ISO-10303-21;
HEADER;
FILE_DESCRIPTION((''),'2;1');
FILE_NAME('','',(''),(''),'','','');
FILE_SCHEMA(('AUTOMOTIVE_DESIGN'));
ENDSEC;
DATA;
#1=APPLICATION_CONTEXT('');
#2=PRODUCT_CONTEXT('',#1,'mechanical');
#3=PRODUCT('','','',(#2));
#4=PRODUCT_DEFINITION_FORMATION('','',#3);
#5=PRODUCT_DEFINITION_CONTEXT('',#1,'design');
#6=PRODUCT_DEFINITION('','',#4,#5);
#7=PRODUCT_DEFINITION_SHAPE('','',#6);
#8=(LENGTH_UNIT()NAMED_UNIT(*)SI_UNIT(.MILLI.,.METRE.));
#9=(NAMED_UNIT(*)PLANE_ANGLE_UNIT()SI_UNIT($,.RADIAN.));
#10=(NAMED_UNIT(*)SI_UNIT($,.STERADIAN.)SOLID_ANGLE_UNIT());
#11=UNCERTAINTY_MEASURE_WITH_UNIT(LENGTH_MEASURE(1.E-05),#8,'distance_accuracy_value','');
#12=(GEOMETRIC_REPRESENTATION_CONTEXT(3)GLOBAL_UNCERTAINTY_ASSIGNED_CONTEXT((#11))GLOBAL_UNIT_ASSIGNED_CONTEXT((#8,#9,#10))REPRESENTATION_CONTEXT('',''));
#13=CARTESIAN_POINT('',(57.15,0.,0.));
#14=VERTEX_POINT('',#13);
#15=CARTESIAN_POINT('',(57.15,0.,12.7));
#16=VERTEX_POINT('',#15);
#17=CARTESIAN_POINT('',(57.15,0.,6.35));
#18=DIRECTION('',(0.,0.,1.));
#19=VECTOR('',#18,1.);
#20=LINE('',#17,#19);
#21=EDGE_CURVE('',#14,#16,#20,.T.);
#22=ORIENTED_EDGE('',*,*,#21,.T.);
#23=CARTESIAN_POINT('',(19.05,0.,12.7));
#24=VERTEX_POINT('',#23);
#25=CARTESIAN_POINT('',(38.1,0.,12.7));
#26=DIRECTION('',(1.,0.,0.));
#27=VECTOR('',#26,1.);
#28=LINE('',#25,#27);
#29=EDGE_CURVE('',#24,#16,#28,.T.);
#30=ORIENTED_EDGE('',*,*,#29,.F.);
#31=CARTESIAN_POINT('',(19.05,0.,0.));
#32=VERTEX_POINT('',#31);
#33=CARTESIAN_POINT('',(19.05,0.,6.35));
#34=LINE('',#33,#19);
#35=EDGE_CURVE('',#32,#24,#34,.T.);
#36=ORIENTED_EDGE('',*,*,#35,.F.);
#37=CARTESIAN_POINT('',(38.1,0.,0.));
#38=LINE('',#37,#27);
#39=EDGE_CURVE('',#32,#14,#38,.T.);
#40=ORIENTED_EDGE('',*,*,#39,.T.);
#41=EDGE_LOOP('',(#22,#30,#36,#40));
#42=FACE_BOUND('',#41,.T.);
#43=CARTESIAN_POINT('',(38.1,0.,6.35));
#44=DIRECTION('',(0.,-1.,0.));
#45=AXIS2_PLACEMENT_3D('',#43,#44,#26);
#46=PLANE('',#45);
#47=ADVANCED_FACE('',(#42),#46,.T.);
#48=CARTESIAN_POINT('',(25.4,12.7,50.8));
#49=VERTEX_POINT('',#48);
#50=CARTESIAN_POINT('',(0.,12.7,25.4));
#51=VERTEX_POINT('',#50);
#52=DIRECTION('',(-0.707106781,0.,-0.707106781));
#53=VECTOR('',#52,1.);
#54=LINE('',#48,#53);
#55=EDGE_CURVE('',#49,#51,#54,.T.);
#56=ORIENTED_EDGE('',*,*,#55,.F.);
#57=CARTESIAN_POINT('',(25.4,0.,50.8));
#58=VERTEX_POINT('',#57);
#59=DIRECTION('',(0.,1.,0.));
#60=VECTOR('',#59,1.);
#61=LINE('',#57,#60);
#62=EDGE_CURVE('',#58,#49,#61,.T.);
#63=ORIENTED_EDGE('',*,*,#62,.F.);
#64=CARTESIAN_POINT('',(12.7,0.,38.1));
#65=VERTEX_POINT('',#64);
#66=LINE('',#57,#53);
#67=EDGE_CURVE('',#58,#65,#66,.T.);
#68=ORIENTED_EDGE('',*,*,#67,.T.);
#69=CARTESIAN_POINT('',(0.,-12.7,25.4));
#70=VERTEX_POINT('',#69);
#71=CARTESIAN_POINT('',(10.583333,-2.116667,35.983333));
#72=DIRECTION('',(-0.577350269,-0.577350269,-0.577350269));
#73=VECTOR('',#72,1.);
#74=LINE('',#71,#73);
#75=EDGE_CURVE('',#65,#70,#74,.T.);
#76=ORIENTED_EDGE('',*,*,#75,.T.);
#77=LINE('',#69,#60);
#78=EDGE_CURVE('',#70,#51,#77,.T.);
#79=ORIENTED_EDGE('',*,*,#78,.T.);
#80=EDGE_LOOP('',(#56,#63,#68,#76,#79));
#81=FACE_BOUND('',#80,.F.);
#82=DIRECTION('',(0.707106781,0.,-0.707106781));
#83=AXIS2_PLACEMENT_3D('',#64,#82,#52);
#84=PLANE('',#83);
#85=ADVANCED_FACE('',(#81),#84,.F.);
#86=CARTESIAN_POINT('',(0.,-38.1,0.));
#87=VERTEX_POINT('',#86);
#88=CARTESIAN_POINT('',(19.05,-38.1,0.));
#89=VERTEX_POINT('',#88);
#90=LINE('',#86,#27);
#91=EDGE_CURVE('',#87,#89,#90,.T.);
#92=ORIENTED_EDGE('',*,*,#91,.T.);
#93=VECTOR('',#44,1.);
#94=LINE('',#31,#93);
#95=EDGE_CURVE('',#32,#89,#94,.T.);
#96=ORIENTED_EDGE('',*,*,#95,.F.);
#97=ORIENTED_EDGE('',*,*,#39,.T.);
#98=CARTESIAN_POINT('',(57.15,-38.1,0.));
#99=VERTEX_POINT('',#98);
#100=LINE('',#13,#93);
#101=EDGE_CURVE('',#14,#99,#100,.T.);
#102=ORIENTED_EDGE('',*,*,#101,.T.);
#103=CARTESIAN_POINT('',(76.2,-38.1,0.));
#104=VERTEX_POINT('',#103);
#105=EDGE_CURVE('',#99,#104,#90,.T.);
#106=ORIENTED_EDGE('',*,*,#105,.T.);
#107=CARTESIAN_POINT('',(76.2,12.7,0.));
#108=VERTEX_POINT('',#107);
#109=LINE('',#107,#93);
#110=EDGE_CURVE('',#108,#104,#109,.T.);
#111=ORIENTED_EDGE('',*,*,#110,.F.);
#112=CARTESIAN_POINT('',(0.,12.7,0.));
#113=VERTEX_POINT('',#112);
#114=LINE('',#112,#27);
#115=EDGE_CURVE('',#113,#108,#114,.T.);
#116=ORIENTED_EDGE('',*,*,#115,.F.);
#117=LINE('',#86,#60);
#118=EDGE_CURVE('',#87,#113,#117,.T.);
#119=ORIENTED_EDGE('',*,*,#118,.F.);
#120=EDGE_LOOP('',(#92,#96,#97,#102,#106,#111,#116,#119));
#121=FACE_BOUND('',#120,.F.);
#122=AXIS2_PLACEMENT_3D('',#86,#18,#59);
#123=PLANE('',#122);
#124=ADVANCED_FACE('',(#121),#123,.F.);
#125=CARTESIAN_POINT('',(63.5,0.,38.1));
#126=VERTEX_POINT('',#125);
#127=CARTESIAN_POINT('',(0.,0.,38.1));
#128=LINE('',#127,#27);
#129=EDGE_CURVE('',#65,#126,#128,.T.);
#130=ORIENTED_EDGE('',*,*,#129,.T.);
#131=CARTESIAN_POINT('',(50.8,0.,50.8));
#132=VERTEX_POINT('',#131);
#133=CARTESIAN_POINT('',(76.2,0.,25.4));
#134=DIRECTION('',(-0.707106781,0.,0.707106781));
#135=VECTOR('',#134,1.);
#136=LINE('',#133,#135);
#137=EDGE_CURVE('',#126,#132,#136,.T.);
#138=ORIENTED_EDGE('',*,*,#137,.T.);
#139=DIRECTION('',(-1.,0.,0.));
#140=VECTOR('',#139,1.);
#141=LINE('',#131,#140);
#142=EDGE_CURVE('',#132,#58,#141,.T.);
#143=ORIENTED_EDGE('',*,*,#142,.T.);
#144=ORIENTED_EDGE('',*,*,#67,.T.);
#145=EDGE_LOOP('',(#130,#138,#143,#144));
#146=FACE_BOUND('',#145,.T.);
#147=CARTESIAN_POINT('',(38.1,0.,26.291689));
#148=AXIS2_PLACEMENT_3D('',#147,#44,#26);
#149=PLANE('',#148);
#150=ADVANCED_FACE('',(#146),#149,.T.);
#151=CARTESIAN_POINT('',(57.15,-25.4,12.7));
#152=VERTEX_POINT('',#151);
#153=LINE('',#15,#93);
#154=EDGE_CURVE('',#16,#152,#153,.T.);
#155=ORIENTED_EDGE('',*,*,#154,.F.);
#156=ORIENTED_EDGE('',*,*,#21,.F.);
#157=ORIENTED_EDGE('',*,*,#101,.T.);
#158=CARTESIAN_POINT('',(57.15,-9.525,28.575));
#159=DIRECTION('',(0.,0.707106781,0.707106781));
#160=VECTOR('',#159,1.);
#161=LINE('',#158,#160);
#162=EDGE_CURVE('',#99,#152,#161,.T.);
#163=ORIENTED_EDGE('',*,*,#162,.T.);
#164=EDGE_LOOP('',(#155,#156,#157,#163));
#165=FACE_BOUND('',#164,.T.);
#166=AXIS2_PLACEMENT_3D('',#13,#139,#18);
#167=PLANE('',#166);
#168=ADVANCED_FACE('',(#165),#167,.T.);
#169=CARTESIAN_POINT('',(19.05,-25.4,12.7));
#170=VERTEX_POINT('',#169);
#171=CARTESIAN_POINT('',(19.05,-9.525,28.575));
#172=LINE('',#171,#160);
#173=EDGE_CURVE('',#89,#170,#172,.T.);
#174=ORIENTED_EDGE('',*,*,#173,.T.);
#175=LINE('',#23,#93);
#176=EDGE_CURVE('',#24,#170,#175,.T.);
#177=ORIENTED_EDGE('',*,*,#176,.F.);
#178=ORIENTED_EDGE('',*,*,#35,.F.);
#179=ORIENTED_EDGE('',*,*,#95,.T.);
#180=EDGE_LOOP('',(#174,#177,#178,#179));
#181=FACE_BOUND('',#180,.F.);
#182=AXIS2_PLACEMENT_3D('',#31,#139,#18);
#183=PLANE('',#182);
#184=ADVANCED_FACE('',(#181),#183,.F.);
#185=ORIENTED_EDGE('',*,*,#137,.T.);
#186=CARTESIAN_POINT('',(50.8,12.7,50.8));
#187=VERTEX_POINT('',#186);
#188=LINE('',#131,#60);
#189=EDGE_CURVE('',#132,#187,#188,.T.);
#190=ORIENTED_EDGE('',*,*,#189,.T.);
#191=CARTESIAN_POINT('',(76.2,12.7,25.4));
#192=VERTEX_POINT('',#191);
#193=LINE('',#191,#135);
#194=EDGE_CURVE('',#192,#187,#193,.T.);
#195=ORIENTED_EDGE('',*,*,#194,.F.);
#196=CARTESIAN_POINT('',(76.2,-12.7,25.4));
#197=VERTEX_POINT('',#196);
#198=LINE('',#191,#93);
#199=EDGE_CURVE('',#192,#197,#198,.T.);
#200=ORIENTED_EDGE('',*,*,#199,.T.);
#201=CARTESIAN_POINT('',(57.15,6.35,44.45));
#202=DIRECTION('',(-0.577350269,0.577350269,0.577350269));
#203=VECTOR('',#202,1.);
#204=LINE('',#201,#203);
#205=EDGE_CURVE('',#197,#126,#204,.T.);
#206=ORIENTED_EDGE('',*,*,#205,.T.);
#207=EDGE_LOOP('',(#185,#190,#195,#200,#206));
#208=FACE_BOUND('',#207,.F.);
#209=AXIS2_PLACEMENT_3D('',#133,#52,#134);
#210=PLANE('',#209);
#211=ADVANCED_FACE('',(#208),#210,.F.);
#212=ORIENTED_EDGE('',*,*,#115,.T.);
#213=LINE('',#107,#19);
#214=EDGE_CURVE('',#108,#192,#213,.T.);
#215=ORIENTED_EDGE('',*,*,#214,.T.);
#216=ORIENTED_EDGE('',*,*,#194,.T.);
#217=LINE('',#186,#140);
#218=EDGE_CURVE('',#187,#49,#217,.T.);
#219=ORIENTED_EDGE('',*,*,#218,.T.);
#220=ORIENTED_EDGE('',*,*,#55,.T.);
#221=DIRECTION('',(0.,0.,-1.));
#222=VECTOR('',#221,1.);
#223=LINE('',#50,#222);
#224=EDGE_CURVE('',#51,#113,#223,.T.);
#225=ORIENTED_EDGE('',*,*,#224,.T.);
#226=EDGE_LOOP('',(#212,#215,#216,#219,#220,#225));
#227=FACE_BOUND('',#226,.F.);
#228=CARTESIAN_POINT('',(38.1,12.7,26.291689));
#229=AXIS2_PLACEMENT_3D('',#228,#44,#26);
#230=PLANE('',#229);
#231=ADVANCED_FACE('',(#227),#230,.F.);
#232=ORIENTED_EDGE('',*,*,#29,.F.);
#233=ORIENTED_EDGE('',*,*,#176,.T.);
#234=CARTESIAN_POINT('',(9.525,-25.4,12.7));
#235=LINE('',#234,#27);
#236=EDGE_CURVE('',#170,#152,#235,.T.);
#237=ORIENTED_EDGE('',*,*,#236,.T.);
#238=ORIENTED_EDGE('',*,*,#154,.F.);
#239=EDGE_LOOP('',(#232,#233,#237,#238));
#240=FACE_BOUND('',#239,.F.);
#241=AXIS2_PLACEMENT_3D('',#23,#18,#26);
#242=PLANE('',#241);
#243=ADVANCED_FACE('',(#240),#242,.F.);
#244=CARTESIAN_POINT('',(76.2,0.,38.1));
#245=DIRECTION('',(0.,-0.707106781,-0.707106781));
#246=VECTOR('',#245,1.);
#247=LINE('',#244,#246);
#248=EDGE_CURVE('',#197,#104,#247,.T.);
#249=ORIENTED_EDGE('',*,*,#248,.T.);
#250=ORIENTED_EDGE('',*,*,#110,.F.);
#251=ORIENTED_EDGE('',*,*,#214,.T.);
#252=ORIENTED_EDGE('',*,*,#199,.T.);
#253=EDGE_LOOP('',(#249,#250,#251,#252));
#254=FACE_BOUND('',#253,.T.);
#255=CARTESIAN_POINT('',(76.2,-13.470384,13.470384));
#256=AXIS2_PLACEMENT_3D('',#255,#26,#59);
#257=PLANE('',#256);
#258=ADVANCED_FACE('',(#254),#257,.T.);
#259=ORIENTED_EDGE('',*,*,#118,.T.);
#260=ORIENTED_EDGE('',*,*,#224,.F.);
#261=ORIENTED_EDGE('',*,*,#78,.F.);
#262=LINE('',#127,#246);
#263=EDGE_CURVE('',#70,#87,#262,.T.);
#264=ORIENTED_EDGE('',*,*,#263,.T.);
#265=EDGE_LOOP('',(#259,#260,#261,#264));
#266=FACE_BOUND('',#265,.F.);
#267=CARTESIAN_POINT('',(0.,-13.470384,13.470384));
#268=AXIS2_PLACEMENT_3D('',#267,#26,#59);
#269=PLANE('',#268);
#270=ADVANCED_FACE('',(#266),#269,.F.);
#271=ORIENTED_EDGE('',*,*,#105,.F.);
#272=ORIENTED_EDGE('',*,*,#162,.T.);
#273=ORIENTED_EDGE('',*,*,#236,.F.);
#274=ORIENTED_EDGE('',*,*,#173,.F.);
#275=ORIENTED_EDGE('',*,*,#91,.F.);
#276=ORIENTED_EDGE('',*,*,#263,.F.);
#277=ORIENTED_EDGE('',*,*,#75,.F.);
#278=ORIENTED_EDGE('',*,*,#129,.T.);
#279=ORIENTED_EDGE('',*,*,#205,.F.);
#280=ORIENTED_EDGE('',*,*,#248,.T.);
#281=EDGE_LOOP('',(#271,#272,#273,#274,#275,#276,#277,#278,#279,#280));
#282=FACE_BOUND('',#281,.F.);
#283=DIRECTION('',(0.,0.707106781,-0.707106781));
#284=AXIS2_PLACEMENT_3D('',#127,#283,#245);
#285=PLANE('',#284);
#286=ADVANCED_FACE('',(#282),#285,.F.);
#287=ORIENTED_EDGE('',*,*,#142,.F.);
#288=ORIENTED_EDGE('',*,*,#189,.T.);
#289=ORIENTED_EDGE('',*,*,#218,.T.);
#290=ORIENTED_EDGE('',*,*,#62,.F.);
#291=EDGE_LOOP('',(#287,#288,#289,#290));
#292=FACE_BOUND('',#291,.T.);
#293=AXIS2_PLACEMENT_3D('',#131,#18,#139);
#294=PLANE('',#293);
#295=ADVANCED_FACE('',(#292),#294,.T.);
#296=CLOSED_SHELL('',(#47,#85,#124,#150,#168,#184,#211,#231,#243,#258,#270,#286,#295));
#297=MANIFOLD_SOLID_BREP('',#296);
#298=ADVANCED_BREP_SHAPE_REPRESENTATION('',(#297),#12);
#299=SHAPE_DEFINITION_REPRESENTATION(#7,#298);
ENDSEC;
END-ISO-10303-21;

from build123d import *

# Parameters (mm, degrees)
F0_W     = 38.1
F0_H     = 12.7
F1_DEPTH = 12.7
F3_DEPTH = 76.2
F4_DEPTH = 38.101
F5_DEPTH = 38.101


with BuildPart() as f1:
    # F0 (on Front) → F1 (new body)
    with BuildSketch(Plane.XZ):
        Polygon((0, 25.4), (0, 0), (38.1, 38.1), (76.2, 0), (76.2, 25.4), (50.8, 50.8), (25.4, 50.8), align=None)
        Polygon((38.1, 38.1), (0, 0), (19.05, 0), (19.05, 12.7), (57.15, 12.7), (57.15, 0), (76.2, 0), align=None)
        with Locations((38.1, 6.35)):
            Rectangle(F0_W, F0_H)
    extrude(amount=-F1_DEPTH)

    # F2 (on Right) → F3 (join)
    with BuildSketch(Plane.YZ):
        Polygon((-38.1, 0), (0, 0), (0, 38.1), align=None)
    extrude(amount=F3_DEPTH)

    # F4 (cut, through all): faces of the model
    f4_faces = [f1.faces().sort_by_distance(p)[0] for p in [
        (4.2333333333, 0, 33.8666666667),
        (71.9666666667, 0, 33.8666666667),
    ]]
    extrude(f4_faces, amount=-F4_DEPTH, mode=Mode.SUBTRACT)

    # F0 (on Front) → F5 (cut, through all)
    with BuildSketch(Plane.XZ):
        with Locations((38.1, 6.35)):
            Rectangle(F0_W, F0_H)
    extrude(amount=F5_DEPTH, mode=Mode.SUBTRACT)


solid = f1.part
